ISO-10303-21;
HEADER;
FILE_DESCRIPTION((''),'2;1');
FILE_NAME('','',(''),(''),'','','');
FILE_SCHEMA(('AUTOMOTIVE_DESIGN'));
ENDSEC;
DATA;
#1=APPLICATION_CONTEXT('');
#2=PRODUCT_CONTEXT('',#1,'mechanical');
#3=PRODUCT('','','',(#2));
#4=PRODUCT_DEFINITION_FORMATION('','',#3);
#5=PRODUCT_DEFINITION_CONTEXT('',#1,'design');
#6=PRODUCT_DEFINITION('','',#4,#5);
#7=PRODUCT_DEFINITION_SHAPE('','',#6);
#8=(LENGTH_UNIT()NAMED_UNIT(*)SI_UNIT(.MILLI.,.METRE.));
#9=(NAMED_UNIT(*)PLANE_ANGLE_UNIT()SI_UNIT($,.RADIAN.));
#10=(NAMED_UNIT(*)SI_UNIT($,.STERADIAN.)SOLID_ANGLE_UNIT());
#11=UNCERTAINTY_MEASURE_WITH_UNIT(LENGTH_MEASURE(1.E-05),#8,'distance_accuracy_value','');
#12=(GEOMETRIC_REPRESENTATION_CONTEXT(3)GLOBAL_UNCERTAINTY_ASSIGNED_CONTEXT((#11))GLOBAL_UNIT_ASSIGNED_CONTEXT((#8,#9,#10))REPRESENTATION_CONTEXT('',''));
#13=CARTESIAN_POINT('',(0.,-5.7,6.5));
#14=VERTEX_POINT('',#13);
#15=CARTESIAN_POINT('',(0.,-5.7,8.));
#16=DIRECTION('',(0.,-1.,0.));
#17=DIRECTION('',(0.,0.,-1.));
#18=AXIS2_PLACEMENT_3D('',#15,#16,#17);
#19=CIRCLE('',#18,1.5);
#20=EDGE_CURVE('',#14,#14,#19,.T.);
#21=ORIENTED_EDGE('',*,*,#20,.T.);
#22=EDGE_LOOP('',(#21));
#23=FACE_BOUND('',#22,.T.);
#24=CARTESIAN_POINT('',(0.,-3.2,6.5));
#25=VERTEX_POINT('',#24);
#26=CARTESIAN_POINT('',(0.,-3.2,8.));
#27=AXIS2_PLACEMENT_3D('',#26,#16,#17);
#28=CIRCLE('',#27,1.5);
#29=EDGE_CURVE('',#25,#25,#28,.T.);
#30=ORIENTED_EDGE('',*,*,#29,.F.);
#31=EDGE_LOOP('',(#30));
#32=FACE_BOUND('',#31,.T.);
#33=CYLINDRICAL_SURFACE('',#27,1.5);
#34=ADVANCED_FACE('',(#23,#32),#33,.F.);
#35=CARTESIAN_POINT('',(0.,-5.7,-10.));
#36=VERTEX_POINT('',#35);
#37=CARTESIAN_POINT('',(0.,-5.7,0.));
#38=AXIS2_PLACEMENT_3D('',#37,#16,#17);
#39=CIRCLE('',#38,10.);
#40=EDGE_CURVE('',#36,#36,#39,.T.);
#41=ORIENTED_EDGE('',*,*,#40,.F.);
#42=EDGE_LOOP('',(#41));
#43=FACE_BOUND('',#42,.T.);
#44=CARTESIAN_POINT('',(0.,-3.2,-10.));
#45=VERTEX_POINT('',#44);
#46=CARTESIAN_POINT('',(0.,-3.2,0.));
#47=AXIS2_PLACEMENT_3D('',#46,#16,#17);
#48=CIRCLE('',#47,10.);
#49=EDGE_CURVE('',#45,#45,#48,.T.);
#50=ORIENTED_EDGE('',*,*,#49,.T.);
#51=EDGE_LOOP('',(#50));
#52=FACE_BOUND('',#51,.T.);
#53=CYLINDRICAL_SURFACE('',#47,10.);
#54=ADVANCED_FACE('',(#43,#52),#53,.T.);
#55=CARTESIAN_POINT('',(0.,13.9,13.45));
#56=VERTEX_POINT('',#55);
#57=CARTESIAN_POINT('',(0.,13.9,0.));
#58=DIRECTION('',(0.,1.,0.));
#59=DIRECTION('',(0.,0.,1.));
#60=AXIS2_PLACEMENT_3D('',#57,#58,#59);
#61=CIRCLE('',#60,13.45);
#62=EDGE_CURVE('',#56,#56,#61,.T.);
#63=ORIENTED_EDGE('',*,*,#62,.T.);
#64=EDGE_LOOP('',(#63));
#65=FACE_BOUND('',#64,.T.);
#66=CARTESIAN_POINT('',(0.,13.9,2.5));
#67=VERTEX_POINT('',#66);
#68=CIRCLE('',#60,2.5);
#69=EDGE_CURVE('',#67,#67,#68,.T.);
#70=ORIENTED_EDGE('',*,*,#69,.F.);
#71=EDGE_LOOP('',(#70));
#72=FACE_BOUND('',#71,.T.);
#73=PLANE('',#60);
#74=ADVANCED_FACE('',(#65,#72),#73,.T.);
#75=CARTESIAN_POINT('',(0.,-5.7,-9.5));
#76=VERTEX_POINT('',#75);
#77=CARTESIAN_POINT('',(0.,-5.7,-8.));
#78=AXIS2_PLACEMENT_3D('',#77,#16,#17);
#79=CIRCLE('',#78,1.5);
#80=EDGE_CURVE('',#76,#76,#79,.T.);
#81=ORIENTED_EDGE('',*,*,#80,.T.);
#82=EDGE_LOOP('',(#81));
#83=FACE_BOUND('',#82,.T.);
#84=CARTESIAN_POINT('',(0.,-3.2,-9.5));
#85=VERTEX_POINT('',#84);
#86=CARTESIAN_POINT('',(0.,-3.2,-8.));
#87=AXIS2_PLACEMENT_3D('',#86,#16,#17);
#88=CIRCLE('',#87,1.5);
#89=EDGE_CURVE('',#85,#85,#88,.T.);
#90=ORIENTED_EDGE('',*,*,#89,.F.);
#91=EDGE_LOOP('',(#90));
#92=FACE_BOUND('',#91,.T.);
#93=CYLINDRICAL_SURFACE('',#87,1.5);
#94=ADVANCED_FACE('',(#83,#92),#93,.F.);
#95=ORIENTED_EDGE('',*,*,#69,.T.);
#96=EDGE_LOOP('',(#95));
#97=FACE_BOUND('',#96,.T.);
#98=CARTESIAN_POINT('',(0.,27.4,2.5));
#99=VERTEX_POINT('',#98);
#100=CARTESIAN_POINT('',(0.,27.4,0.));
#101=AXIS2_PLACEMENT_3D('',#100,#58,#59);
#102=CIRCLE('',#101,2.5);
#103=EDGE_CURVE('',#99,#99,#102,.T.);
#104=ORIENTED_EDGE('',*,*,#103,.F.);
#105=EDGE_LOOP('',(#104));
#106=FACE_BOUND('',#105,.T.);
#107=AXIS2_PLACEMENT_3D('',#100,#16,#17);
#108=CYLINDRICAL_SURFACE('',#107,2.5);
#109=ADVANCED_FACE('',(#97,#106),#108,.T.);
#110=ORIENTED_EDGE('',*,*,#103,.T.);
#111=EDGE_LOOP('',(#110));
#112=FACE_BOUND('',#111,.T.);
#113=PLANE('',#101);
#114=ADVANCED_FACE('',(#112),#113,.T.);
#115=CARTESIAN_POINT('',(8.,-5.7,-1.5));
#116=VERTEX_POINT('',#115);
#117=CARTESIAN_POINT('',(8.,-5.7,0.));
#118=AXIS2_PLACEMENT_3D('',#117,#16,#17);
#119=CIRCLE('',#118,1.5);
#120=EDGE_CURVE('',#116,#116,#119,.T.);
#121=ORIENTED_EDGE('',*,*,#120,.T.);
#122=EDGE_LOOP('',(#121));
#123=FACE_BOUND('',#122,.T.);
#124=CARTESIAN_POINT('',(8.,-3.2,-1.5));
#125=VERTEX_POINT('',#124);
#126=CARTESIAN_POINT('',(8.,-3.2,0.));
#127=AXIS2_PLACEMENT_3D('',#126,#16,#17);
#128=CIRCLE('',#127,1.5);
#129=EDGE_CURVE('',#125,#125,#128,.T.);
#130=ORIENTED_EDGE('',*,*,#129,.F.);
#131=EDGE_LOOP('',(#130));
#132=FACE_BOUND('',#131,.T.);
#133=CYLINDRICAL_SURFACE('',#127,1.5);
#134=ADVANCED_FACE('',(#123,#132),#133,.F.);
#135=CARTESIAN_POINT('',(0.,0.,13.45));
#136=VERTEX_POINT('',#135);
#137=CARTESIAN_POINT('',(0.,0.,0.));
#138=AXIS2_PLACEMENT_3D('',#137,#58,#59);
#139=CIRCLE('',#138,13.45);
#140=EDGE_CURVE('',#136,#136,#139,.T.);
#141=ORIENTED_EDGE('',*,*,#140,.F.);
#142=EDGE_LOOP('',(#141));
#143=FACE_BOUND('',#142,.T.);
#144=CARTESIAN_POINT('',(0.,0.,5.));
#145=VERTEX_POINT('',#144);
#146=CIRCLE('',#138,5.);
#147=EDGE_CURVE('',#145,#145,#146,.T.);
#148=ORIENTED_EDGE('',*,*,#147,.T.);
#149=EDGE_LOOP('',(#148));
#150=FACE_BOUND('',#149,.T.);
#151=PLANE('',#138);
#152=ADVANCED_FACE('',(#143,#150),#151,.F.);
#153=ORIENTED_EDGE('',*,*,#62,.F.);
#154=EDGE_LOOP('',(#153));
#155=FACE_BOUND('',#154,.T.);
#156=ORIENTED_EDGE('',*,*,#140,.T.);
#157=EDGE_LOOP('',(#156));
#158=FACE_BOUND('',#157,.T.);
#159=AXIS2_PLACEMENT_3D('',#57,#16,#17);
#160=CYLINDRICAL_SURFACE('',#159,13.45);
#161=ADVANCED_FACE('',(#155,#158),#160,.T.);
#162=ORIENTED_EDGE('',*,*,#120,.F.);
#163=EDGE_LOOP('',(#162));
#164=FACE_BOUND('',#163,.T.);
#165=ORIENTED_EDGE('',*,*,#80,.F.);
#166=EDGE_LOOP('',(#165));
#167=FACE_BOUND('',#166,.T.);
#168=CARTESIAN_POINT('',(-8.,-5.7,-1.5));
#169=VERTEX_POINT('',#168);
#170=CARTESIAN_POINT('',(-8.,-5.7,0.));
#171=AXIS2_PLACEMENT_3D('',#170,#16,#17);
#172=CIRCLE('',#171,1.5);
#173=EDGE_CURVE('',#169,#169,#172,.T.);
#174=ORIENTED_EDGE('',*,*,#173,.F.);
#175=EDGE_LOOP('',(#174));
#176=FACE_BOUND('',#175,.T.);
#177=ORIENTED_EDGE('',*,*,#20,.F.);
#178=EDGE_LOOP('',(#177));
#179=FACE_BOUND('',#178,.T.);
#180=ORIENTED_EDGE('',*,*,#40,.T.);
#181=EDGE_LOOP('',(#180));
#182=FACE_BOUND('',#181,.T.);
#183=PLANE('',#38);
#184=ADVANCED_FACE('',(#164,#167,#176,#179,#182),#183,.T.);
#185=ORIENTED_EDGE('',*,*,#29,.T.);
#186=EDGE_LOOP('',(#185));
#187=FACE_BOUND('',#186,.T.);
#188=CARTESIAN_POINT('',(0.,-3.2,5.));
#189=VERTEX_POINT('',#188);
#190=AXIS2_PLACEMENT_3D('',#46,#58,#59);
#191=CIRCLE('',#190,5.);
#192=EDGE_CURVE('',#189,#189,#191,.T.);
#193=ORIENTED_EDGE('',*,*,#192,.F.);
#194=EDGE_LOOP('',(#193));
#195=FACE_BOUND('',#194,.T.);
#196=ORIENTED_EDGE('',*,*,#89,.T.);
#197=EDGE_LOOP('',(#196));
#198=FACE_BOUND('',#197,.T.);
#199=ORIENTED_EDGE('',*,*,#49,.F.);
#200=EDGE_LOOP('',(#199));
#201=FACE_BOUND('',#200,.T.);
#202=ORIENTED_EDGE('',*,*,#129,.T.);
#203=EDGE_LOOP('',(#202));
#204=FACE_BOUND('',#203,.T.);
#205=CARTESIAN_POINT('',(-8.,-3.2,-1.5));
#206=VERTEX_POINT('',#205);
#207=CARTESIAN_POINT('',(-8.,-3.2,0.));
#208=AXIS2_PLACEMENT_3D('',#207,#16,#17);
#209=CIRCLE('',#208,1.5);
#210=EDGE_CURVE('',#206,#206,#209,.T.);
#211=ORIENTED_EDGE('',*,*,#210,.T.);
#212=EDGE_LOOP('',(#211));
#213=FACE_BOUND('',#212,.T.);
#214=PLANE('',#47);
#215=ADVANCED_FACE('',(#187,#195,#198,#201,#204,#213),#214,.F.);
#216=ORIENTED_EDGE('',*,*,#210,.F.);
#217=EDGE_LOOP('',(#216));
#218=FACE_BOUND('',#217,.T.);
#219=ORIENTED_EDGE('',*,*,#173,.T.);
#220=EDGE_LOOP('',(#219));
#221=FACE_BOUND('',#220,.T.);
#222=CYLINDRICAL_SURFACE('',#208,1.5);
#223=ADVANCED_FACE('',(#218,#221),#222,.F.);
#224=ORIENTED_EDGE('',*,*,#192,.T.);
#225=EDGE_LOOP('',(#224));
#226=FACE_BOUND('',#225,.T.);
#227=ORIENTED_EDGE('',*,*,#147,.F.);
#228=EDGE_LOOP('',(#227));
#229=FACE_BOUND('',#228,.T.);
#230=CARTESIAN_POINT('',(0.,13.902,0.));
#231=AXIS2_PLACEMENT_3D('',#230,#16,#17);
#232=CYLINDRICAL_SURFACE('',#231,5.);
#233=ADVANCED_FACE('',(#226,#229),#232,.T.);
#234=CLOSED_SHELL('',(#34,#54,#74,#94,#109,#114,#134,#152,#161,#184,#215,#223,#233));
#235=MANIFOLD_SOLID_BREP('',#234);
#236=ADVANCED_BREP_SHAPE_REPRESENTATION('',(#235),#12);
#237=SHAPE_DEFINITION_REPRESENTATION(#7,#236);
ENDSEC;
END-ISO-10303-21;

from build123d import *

# Parameters (mm, degrees)
SKETCH1_R           = 13.45
BOSS_EXTRUDE1_DEPTH = 13.9
SKETCH2_R           = 10
SKETCH2_R_2         = 1.5
BOSS_EXTRUDE3_DEPTH = 2.5
BOSS_EXTRUDE4_REACH = 27.578
SKETCH3_R           = 5
SKETCH4_R           = 2.5
BOSS_EXTRUDE5_DEPTH = 13.5


with BuildPart() as part:
    # Sketch1 → Boss-Extrude1 (new body)
    with BuildSketch(Plane(origin=(0, 0, 0), x_dir=(1, 0, 0), z_dir=(0, 1, 0))):
        with Locations(Location((0, 0, 0), (0, 0, 270))):
            Circle(SKETCH1_R)
    extrude(amount=BOSS_EXTRUDE1_DEPTH)

    # Sketch3 → Boss-Extrude4 (add, up to next)
    with BuildSketch(Plane(origin=(0, -3.2, 0), x_dir=(1, 0, 0), z_dir=(0, 1, 0)), mode=Mode.PRIVATE) as boss_extrude4_sk1:
        with Locations(Location((0, 0, 0), (0, 0, 270))):
            Circle(SKETCH3_R)
    boss_extrude4_tool1 = extrude(boss_extrude4_sk1.sketch, amount=BOSS_EXTRUDE4_REACH, mode=Mode.PRIVATE) - part.part


with BuildPart() as body_2:
    # Sketch2 → Boss-Extrude3 (new body)
    with BuildSketch(Plane.XZ.offset(5.7)):
        with Locations(Location((0, 0, 0), (0, 0, 270))):
            Circle(SKETCH2_R)
        with Locations(Location((0, 8, 0), (0, 0, 270))):
            Circle(SKETCH2_R_2, mode=Mode.SUBTRACT)
        with Locations(Location((8, 0, 0), (0, 0, 270))):
            Circle(SKETCH2_R_2, mode=Mode.SUBTRACT)
        with Locations(Location((0, -8, 0), (0, 0, 270))):
            Circle(SKETCH2_R_2, mode=Mode.SUBTRACT)
        with Locations(Location((-8, 0, 0), (0, 0, 270))):
            Circle(SKETCH2_R_2, mode=Mode.SUBTRACT)
    extrude(amount=-BOSS_EXTRUDE3_DEPTH)


with BuildPart() as part_1:
    add(part.part)

    add(body_2.part)  # Boss-Extrude4 merges body 2
    add(boss_extrude4_tool1.solids().sort_by_distance((0, -3.2, 0))[0])

    # Sketch4 → Boss-Extrude5 (add)
    with BuildSketch(Plane(origin=(0, 13.9, 0), x_dir=(1, 0, 0), z_dir=(0, 1, 0))):
        with Locations(Location((0, 0, 0), (0, 0, 270))):
            Circle(SKETCH4_R)
    extrude(amount=BOSS_EXTRUDE5_DEPTH)


solid = part_1.part
